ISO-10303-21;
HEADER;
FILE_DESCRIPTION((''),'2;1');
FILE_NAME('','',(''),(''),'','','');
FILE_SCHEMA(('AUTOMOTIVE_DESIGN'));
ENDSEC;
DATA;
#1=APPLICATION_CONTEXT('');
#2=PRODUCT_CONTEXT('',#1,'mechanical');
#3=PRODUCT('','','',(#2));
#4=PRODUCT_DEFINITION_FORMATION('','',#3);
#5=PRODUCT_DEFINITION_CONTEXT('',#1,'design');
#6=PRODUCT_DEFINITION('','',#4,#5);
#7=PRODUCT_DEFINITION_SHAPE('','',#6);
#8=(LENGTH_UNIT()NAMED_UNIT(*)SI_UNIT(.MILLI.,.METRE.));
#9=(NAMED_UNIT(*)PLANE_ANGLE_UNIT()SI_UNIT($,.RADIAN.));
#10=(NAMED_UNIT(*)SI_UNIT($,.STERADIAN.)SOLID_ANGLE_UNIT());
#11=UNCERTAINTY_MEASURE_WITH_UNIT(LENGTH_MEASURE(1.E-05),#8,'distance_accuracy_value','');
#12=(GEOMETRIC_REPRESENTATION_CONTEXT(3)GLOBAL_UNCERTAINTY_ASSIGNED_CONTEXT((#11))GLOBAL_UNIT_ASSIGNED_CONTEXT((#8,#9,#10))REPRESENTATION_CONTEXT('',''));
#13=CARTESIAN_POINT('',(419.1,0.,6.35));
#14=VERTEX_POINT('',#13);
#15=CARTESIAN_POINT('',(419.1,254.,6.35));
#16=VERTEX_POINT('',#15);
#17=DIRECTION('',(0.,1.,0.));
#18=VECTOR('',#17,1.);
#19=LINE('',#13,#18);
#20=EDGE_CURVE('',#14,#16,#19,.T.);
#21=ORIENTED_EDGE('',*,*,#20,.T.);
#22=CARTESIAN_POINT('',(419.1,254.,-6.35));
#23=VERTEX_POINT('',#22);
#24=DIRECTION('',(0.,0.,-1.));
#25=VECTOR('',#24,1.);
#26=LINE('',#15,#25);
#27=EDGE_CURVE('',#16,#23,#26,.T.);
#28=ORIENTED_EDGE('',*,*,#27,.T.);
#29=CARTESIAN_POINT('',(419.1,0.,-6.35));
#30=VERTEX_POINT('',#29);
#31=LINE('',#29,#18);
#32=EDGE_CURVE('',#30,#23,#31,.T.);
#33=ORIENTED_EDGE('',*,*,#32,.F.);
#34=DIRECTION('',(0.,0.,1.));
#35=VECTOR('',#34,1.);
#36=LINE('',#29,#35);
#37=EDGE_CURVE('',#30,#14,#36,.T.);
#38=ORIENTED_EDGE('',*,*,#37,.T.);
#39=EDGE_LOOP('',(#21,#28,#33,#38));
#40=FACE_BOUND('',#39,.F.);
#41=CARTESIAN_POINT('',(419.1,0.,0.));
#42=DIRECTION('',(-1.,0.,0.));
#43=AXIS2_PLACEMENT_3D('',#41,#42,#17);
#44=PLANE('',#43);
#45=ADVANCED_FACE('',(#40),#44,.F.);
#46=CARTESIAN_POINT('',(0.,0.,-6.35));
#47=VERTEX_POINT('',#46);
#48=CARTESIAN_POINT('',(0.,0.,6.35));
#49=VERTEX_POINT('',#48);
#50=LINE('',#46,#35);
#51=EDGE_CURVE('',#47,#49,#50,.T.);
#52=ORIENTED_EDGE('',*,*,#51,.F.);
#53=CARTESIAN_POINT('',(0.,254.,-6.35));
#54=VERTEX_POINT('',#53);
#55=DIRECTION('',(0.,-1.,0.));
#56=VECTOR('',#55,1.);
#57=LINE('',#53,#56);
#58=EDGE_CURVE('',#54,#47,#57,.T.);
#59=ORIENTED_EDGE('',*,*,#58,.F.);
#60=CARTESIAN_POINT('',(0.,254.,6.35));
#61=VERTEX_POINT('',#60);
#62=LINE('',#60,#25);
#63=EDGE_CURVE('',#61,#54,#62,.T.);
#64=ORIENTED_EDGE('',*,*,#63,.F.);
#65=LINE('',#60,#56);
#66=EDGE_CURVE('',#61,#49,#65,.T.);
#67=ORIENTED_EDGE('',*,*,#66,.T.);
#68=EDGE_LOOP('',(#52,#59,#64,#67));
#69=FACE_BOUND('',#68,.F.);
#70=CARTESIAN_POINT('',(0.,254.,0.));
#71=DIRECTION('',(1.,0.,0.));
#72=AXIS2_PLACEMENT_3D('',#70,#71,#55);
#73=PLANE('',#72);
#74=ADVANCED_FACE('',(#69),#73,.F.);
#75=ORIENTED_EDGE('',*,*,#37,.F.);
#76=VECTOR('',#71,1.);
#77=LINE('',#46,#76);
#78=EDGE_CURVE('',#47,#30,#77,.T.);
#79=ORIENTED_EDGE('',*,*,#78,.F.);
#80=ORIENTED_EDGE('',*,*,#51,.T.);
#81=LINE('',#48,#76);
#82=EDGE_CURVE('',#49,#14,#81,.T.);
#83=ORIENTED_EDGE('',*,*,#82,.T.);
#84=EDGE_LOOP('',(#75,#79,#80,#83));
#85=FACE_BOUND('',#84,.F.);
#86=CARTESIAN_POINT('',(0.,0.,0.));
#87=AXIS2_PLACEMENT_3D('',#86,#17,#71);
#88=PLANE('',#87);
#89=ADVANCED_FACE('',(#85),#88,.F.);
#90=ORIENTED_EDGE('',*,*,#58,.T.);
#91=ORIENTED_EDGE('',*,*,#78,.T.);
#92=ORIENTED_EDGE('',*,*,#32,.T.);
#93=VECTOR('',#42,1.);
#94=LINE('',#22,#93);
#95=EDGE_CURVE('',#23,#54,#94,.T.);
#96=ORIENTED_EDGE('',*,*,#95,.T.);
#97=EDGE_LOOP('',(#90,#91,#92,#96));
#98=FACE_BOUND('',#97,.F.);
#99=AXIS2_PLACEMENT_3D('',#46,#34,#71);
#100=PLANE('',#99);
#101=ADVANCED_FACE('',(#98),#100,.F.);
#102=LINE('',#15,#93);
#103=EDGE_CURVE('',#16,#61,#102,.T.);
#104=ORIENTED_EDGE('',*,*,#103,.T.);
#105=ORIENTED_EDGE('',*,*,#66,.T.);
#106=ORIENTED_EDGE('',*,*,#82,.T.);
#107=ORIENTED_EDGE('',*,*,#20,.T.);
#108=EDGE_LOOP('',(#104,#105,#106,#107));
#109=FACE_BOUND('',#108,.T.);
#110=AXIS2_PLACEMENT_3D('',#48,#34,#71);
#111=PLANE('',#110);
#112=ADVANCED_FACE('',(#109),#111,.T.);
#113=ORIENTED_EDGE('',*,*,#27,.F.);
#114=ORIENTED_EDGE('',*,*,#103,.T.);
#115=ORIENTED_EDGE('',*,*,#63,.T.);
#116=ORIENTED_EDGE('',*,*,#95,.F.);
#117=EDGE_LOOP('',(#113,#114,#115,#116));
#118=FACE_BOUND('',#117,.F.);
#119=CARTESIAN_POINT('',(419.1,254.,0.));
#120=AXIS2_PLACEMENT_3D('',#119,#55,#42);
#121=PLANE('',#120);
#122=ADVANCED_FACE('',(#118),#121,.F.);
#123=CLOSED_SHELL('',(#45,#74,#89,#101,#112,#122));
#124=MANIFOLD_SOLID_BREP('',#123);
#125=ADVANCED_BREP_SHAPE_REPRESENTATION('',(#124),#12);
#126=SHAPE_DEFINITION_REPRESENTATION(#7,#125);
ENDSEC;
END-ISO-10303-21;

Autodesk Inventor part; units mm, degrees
ref_plane "YZ Plane" through (0, 0, 0) normal (1, 0, 0) x (0, 1, 0)
ref_plane "XZ Plane" through (0, 0, 0) normal (0, 1, 0) x (-1, 0, 0)
ref_plane "XY Plane" through (0, 0, 0) normal (0, 0, 1) x (1, 0, 0)
sketch "Sketch1" plane through (0, 0, 0) normal (0, 0, 1) x (1, 0, 0)
  line L0 (0, 0) -> (419.1, 0)
  line L1 (419.1, 0) -> (419.1, 254)
  line L2 (419.1, 254) -> (0, 254)
  line L3 (0, 254) -> (0, 0)
  dimension "Length" = 419.1
  dimension "Width" = 254
extrude "Extrusion1" add sketch "Sketch1" along normal mid plane 12.7
properties part number "TopRWall"
